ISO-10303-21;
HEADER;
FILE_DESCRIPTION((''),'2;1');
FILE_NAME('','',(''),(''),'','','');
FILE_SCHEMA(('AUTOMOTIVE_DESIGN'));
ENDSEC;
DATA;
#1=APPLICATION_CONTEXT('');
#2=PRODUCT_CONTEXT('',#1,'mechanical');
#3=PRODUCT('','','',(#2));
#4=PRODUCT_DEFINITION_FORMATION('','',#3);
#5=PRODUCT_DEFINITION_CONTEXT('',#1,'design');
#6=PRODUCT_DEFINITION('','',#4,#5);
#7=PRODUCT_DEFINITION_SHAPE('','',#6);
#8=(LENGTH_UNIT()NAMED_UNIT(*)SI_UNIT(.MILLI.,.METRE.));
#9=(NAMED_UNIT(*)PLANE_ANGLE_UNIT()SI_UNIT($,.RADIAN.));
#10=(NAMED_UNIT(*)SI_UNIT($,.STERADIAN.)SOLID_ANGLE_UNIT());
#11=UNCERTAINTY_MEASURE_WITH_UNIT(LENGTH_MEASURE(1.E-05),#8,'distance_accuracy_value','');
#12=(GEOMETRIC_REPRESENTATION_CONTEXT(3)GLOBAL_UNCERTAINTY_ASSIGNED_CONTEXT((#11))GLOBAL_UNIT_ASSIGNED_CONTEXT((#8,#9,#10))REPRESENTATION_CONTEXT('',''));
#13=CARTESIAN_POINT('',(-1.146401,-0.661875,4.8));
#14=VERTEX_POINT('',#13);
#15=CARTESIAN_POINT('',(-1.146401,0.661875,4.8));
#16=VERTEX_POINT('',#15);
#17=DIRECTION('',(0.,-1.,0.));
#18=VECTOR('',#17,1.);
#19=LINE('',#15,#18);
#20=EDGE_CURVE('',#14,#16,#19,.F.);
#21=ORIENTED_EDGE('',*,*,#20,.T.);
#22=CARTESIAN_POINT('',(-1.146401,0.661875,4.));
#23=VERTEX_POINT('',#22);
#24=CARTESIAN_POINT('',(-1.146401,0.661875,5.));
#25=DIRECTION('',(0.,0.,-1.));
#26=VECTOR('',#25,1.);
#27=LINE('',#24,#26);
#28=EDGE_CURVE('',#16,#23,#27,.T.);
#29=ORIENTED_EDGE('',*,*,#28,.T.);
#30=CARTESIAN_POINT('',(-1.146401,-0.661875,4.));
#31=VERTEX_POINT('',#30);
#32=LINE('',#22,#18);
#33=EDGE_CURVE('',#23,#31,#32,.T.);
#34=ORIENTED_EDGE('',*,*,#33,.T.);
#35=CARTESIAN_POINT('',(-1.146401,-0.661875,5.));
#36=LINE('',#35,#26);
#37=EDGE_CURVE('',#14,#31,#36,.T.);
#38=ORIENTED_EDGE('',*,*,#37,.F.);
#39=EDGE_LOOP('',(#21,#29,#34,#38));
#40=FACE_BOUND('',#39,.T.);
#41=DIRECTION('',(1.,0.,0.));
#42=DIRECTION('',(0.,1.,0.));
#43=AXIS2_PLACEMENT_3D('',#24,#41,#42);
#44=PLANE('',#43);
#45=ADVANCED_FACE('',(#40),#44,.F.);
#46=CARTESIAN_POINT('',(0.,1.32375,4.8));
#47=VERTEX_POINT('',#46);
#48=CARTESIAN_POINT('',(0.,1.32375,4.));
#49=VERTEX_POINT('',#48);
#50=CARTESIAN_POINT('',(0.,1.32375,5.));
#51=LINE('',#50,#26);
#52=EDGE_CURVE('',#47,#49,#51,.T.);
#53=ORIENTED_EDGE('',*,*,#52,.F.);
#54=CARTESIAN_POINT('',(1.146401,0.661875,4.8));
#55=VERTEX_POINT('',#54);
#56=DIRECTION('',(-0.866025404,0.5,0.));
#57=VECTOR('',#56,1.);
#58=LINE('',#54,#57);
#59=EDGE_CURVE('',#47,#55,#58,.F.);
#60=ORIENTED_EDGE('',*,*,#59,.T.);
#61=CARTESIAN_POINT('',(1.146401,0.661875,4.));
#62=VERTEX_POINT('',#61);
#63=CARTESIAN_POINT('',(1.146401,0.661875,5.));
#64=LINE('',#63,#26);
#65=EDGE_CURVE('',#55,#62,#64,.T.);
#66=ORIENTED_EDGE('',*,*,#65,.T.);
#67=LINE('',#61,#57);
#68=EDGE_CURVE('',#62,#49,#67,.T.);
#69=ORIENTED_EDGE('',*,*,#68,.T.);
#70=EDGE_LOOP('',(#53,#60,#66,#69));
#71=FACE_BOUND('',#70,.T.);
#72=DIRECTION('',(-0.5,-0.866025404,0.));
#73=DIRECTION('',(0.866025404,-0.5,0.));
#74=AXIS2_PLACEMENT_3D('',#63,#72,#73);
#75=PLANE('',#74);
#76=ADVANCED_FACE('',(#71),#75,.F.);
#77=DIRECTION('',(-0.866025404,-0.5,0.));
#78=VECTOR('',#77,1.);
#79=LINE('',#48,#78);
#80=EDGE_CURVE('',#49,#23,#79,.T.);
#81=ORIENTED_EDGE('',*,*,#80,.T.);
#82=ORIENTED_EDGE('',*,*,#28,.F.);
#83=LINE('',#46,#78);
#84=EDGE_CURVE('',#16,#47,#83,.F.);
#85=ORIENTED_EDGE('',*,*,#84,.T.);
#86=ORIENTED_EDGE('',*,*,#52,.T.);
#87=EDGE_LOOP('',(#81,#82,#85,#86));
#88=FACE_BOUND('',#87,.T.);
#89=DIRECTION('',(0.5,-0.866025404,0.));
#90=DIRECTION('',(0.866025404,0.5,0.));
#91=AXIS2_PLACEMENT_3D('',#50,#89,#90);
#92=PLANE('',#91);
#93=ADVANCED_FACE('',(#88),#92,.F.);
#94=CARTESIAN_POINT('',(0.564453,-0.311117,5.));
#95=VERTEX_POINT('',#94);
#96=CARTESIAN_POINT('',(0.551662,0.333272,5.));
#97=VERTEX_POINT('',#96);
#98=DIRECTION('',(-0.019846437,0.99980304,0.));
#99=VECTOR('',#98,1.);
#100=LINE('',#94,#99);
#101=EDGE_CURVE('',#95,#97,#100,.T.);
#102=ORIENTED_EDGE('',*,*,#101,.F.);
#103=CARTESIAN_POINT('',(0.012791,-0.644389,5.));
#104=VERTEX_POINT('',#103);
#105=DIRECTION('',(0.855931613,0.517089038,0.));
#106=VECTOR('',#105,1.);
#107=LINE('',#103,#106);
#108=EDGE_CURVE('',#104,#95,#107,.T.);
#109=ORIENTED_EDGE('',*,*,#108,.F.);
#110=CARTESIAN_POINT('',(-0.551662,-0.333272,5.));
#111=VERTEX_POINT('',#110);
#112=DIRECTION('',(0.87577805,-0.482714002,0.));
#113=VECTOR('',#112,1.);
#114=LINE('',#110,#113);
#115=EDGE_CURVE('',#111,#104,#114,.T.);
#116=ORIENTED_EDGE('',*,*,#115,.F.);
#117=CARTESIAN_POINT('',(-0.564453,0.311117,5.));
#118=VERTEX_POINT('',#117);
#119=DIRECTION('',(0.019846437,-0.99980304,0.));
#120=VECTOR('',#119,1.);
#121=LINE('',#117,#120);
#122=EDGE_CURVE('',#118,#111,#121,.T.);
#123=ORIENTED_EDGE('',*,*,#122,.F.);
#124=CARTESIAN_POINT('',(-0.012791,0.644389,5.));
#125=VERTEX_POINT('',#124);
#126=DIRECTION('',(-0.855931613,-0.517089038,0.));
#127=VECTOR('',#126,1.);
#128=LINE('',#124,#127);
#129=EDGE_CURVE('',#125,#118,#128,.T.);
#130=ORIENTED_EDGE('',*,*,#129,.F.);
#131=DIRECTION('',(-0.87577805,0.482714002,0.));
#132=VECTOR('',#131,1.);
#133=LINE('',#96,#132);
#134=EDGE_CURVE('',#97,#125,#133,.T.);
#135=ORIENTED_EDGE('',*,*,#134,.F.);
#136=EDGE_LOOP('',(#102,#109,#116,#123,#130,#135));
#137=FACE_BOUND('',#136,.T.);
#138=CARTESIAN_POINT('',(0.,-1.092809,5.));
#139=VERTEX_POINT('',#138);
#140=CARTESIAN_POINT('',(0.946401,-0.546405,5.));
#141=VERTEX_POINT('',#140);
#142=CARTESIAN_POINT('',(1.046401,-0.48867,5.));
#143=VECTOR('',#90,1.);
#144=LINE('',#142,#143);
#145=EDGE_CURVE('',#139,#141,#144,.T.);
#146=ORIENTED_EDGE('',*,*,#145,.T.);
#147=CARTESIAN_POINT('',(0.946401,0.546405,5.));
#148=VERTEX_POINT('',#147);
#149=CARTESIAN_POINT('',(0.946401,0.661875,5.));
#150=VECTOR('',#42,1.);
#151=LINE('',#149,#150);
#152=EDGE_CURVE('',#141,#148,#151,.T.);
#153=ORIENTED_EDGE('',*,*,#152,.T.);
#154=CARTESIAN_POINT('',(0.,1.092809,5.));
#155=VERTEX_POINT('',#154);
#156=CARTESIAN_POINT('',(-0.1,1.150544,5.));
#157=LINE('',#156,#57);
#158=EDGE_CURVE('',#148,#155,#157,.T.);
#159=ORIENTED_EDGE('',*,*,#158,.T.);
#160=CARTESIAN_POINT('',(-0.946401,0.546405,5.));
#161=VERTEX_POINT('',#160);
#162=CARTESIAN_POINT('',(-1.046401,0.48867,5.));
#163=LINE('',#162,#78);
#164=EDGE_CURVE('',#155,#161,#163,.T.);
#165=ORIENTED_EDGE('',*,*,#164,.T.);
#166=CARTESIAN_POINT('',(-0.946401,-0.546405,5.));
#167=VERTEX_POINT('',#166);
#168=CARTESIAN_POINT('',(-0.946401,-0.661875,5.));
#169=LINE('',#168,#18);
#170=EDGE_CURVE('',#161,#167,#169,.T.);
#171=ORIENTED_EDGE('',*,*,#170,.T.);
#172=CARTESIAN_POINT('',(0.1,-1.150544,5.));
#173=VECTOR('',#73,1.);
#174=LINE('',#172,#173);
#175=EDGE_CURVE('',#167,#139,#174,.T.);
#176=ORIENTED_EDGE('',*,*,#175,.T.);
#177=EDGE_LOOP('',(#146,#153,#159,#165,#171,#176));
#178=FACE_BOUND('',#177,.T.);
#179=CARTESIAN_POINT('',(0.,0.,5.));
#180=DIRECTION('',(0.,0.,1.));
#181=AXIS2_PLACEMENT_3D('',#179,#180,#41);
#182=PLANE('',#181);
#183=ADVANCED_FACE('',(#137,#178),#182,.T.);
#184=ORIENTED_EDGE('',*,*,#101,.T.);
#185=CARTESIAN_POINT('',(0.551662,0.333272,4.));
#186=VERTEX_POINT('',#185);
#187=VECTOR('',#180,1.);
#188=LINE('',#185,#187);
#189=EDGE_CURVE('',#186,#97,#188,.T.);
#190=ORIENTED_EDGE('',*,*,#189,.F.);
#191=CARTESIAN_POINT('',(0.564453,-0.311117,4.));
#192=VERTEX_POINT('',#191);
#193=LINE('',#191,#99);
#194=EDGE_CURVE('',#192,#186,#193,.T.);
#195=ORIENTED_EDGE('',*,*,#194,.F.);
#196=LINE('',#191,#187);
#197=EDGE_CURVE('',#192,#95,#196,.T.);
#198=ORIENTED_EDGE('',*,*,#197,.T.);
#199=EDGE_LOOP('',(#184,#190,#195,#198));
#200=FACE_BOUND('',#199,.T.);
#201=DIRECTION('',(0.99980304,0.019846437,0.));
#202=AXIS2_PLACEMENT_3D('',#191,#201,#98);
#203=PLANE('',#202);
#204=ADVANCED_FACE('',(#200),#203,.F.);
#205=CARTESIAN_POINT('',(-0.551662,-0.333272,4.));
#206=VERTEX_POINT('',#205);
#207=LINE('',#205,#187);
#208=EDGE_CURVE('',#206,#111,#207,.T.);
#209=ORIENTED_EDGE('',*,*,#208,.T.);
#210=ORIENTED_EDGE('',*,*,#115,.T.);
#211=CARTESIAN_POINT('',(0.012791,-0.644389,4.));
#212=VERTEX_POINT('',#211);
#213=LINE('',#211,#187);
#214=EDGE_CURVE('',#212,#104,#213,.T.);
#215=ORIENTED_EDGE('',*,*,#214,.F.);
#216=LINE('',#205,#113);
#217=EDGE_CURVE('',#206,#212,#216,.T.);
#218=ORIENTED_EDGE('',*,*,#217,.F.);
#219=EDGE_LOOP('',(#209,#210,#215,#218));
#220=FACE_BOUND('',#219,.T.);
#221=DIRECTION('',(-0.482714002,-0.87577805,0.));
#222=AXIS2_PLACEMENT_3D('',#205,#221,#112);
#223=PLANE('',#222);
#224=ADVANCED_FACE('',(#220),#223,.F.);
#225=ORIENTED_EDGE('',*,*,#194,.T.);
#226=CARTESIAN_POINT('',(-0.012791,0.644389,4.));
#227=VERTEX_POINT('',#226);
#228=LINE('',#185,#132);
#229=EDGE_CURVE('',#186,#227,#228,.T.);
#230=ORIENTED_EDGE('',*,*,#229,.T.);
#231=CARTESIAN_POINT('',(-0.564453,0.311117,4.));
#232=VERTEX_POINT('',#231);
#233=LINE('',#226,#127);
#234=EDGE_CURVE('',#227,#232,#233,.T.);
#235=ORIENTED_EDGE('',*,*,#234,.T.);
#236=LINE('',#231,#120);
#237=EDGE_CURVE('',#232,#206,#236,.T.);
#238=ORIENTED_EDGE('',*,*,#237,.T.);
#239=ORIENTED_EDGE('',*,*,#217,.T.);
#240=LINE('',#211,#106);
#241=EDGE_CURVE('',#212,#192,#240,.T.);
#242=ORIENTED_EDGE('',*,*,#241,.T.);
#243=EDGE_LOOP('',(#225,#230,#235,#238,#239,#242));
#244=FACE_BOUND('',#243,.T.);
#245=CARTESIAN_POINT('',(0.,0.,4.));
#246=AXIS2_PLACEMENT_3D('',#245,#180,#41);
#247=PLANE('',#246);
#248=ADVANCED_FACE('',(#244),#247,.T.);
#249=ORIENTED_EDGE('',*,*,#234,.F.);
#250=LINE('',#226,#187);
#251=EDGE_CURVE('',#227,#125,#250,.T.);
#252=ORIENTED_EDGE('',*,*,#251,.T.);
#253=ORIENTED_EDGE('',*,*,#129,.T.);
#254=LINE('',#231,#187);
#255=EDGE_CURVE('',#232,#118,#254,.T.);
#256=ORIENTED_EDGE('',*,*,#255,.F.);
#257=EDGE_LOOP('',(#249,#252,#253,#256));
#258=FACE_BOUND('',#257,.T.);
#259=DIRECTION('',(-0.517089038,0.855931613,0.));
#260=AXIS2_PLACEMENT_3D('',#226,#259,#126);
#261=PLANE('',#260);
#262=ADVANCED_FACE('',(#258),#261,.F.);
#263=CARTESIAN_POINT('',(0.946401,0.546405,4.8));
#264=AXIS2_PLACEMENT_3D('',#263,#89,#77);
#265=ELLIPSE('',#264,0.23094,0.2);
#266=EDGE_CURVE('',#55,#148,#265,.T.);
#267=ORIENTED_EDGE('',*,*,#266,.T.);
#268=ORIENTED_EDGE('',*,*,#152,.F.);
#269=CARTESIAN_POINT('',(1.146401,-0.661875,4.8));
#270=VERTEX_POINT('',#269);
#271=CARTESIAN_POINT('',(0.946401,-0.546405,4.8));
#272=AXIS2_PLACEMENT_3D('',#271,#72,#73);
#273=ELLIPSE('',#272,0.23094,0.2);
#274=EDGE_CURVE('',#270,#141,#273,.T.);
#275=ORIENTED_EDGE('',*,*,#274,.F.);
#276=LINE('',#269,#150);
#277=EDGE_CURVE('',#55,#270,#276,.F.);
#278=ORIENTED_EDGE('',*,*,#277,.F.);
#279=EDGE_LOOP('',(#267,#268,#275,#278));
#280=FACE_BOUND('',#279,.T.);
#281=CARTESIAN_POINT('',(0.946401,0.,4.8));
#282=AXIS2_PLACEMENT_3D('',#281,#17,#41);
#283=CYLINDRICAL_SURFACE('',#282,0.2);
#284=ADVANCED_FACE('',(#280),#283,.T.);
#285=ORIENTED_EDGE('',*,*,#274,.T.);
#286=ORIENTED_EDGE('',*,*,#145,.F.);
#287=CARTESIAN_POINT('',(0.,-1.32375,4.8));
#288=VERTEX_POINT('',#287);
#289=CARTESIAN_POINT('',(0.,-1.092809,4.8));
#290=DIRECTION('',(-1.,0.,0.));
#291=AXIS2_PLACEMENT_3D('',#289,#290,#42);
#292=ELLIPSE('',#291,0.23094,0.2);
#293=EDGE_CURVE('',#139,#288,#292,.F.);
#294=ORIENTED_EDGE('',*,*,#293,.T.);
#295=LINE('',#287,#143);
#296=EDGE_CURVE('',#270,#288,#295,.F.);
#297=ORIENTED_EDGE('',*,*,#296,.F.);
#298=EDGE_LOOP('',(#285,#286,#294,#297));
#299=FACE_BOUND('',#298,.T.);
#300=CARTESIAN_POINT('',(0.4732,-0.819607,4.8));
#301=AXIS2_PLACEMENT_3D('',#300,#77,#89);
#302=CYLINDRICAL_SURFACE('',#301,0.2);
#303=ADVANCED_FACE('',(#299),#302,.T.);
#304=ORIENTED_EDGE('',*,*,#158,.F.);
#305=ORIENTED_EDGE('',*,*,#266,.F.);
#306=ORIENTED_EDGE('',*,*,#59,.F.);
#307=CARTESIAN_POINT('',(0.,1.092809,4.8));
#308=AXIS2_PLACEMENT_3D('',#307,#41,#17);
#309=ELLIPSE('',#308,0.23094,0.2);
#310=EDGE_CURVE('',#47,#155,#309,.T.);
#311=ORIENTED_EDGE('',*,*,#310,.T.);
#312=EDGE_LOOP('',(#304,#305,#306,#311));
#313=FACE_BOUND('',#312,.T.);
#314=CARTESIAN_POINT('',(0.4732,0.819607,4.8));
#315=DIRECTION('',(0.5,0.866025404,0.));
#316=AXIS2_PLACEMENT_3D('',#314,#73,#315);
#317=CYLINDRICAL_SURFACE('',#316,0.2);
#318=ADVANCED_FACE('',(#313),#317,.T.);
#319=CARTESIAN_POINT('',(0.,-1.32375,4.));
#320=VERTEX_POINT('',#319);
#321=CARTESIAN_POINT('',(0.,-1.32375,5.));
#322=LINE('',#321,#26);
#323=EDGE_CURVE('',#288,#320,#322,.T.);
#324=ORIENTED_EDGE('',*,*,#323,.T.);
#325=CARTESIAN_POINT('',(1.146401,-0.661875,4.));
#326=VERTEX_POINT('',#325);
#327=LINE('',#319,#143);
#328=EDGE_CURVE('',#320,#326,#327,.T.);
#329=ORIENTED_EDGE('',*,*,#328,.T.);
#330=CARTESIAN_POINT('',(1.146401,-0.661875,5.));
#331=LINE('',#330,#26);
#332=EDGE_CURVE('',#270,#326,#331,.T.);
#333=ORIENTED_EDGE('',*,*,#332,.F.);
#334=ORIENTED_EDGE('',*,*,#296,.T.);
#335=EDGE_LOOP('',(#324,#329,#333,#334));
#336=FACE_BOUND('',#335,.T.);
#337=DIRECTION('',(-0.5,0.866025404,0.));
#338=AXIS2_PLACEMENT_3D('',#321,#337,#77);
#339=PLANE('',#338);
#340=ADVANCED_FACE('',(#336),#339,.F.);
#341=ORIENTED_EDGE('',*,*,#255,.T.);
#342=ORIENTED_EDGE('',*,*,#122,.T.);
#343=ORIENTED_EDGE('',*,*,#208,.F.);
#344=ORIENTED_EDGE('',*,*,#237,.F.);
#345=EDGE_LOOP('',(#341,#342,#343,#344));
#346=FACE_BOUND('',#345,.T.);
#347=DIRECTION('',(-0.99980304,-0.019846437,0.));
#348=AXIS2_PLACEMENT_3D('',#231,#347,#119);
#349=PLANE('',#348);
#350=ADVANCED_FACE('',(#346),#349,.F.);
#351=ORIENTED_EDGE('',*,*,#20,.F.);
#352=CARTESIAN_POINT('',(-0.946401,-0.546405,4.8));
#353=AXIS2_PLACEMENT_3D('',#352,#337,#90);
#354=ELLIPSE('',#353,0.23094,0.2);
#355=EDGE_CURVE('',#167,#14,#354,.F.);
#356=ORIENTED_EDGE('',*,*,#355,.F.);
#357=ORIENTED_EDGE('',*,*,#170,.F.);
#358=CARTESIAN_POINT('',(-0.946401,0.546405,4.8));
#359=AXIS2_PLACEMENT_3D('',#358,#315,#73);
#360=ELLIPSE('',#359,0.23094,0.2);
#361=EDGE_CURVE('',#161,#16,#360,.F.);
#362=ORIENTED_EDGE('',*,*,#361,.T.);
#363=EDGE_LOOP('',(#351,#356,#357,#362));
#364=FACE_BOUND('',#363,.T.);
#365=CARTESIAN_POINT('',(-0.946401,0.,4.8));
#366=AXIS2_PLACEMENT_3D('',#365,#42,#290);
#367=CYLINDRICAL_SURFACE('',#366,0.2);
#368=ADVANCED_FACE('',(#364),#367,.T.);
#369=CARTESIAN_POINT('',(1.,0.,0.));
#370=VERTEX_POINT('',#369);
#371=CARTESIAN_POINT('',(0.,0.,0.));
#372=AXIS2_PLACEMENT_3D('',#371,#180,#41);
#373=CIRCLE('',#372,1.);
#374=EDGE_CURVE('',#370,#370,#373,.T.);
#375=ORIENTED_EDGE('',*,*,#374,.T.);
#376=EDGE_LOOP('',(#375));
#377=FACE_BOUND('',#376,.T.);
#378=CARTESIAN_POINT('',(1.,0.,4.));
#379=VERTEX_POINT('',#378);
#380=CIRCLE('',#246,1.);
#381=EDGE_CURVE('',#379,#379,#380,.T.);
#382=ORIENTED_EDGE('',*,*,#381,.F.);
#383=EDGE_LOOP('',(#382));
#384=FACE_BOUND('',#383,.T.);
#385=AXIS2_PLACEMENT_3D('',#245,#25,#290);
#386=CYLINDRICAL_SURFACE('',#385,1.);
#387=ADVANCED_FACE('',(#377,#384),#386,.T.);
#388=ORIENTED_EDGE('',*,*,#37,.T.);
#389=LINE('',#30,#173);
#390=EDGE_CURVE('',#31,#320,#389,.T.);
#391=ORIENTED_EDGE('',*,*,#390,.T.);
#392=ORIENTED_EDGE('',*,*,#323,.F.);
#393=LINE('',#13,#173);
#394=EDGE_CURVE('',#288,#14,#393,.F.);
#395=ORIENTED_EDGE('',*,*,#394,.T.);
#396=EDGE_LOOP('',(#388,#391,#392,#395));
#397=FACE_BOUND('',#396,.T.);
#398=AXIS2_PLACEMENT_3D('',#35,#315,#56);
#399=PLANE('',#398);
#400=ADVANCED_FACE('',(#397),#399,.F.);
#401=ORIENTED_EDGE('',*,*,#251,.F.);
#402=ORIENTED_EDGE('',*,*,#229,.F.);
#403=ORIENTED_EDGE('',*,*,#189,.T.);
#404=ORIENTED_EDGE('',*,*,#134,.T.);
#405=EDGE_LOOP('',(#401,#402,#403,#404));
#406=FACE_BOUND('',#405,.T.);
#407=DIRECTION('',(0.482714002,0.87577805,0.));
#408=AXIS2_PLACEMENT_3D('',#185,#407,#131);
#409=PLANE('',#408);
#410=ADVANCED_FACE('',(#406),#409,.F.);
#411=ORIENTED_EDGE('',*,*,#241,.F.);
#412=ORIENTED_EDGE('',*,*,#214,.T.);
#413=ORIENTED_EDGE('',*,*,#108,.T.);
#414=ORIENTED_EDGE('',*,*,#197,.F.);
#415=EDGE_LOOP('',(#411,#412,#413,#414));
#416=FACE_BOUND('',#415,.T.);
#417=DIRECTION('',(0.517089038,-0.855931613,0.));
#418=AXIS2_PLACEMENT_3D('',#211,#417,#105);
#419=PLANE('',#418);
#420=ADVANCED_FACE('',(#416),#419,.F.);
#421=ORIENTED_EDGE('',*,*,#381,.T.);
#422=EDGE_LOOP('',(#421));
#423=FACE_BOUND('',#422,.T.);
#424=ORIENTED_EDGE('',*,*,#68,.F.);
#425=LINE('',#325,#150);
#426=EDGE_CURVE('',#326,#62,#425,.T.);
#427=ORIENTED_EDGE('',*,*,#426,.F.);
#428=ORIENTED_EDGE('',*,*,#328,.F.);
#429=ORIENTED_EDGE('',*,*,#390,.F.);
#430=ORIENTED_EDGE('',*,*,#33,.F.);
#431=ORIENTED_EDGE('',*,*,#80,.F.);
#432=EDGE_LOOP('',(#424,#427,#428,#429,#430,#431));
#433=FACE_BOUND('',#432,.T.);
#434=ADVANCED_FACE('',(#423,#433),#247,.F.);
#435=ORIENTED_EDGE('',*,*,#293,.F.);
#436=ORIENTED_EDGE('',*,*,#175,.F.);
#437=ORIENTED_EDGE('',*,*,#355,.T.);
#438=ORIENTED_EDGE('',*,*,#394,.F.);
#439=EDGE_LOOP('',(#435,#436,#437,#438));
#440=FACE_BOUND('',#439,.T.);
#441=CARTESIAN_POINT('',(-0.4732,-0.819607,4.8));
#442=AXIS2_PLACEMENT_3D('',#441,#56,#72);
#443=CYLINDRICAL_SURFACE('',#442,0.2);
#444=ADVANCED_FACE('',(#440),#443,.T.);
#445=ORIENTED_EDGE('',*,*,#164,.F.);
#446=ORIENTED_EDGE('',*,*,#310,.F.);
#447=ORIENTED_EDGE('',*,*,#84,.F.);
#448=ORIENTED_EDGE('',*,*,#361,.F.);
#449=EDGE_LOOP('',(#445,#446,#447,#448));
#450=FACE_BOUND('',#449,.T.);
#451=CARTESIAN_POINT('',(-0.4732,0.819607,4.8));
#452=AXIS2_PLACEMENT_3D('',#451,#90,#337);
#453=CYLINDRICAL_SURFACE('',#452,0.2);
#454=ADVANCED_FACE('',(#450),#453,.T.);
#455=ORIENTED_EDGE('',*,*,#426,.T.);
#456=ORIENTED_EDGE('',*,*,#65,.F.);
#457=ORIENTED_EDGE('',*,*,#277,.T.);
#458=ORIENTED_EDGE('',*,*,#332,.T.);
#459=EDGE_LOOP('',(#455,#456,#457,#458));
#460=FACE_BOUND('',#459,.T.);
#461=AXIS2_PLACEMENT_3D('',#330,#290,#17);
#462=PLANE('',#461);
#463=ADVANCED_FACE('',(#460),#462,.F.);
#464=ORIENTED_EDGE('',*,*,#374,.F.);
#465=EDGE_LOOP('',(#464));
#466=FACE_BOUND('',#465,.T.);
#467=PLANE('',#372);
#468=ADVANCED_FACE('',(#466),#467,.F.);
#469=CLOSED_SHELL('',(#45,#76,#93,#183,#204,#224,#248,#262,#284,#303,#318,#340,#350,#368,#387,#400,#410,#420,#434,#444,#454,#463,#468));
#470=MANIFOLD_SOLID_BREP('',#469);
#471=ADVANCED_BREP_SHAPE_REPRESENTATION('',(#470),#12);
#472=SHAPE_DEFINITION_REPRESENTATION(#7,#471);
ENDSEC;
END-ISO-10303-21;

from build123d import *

# Parameters (mm, degrees)
SKETCH1_R           = 1
BOSS_EXTRUDE1_DEPTH = 4
BOSS_EXTRUDE2_DEPTH = 1
CUT_EXTRUDE1_DEPTH  = 1
FILLET1_R           = 0.2


with BuildPart() as part:
    # Sketch1 → Boss-Extrude1 (new body)
    with BuildSketch(Plane.XY):
        Circle(SKETCH1_R)
    extrude(amount=BOSS_EXTRUDE1_DEPTH)

    # Sketch2 → Boss-Extrude2 (add)
    with BuildSketch(Plane.XY.offset(4)):
        Polygon((0, 1.323749562), (-1.146400749, 0.661874781), (-1.146400749, -0.661874781), (0, -1.323749562), (1.146400749, -0.661874781), (1.146400749, 0.661874781), align=None)
    extrude(amount=BOSS_EXTRUDE2_DEPTH)

    # Sketch3 → Cut-Extrude1 (cut)
    with BuildSketch(Plane.XY.offset(5)):
        Polygon((-0.56445286, 0.311116839), (-0.551661517, -0.333272096), (0.012791344, -0.644388936), (0.56445286, -0.311116839), (0.551661517, 0.333272096), (-0.012791344, 0.644388936), align=None)
    extrude(amount=-CUT_EXTRUDE1_DEPTH, mode=Mode.SUBTRACT)

    # Fillet1
    fillet1_edges = [part.edges().sort_by_distance(p)[0] for p in [
        (0.573200374, 0.992812171, 5),
        (-0.573200374, 0.992812171, 5),
        (-1.146400749, 0, 5),
        (-0.573200374, -0.992812171, 5),
        (0.573200374, -0.992812171, 5),
        (1.146400749, 0, 5),
    ]]
    fillet(fillet1_edges, radius=FILLET1_R)


solid = part.part
